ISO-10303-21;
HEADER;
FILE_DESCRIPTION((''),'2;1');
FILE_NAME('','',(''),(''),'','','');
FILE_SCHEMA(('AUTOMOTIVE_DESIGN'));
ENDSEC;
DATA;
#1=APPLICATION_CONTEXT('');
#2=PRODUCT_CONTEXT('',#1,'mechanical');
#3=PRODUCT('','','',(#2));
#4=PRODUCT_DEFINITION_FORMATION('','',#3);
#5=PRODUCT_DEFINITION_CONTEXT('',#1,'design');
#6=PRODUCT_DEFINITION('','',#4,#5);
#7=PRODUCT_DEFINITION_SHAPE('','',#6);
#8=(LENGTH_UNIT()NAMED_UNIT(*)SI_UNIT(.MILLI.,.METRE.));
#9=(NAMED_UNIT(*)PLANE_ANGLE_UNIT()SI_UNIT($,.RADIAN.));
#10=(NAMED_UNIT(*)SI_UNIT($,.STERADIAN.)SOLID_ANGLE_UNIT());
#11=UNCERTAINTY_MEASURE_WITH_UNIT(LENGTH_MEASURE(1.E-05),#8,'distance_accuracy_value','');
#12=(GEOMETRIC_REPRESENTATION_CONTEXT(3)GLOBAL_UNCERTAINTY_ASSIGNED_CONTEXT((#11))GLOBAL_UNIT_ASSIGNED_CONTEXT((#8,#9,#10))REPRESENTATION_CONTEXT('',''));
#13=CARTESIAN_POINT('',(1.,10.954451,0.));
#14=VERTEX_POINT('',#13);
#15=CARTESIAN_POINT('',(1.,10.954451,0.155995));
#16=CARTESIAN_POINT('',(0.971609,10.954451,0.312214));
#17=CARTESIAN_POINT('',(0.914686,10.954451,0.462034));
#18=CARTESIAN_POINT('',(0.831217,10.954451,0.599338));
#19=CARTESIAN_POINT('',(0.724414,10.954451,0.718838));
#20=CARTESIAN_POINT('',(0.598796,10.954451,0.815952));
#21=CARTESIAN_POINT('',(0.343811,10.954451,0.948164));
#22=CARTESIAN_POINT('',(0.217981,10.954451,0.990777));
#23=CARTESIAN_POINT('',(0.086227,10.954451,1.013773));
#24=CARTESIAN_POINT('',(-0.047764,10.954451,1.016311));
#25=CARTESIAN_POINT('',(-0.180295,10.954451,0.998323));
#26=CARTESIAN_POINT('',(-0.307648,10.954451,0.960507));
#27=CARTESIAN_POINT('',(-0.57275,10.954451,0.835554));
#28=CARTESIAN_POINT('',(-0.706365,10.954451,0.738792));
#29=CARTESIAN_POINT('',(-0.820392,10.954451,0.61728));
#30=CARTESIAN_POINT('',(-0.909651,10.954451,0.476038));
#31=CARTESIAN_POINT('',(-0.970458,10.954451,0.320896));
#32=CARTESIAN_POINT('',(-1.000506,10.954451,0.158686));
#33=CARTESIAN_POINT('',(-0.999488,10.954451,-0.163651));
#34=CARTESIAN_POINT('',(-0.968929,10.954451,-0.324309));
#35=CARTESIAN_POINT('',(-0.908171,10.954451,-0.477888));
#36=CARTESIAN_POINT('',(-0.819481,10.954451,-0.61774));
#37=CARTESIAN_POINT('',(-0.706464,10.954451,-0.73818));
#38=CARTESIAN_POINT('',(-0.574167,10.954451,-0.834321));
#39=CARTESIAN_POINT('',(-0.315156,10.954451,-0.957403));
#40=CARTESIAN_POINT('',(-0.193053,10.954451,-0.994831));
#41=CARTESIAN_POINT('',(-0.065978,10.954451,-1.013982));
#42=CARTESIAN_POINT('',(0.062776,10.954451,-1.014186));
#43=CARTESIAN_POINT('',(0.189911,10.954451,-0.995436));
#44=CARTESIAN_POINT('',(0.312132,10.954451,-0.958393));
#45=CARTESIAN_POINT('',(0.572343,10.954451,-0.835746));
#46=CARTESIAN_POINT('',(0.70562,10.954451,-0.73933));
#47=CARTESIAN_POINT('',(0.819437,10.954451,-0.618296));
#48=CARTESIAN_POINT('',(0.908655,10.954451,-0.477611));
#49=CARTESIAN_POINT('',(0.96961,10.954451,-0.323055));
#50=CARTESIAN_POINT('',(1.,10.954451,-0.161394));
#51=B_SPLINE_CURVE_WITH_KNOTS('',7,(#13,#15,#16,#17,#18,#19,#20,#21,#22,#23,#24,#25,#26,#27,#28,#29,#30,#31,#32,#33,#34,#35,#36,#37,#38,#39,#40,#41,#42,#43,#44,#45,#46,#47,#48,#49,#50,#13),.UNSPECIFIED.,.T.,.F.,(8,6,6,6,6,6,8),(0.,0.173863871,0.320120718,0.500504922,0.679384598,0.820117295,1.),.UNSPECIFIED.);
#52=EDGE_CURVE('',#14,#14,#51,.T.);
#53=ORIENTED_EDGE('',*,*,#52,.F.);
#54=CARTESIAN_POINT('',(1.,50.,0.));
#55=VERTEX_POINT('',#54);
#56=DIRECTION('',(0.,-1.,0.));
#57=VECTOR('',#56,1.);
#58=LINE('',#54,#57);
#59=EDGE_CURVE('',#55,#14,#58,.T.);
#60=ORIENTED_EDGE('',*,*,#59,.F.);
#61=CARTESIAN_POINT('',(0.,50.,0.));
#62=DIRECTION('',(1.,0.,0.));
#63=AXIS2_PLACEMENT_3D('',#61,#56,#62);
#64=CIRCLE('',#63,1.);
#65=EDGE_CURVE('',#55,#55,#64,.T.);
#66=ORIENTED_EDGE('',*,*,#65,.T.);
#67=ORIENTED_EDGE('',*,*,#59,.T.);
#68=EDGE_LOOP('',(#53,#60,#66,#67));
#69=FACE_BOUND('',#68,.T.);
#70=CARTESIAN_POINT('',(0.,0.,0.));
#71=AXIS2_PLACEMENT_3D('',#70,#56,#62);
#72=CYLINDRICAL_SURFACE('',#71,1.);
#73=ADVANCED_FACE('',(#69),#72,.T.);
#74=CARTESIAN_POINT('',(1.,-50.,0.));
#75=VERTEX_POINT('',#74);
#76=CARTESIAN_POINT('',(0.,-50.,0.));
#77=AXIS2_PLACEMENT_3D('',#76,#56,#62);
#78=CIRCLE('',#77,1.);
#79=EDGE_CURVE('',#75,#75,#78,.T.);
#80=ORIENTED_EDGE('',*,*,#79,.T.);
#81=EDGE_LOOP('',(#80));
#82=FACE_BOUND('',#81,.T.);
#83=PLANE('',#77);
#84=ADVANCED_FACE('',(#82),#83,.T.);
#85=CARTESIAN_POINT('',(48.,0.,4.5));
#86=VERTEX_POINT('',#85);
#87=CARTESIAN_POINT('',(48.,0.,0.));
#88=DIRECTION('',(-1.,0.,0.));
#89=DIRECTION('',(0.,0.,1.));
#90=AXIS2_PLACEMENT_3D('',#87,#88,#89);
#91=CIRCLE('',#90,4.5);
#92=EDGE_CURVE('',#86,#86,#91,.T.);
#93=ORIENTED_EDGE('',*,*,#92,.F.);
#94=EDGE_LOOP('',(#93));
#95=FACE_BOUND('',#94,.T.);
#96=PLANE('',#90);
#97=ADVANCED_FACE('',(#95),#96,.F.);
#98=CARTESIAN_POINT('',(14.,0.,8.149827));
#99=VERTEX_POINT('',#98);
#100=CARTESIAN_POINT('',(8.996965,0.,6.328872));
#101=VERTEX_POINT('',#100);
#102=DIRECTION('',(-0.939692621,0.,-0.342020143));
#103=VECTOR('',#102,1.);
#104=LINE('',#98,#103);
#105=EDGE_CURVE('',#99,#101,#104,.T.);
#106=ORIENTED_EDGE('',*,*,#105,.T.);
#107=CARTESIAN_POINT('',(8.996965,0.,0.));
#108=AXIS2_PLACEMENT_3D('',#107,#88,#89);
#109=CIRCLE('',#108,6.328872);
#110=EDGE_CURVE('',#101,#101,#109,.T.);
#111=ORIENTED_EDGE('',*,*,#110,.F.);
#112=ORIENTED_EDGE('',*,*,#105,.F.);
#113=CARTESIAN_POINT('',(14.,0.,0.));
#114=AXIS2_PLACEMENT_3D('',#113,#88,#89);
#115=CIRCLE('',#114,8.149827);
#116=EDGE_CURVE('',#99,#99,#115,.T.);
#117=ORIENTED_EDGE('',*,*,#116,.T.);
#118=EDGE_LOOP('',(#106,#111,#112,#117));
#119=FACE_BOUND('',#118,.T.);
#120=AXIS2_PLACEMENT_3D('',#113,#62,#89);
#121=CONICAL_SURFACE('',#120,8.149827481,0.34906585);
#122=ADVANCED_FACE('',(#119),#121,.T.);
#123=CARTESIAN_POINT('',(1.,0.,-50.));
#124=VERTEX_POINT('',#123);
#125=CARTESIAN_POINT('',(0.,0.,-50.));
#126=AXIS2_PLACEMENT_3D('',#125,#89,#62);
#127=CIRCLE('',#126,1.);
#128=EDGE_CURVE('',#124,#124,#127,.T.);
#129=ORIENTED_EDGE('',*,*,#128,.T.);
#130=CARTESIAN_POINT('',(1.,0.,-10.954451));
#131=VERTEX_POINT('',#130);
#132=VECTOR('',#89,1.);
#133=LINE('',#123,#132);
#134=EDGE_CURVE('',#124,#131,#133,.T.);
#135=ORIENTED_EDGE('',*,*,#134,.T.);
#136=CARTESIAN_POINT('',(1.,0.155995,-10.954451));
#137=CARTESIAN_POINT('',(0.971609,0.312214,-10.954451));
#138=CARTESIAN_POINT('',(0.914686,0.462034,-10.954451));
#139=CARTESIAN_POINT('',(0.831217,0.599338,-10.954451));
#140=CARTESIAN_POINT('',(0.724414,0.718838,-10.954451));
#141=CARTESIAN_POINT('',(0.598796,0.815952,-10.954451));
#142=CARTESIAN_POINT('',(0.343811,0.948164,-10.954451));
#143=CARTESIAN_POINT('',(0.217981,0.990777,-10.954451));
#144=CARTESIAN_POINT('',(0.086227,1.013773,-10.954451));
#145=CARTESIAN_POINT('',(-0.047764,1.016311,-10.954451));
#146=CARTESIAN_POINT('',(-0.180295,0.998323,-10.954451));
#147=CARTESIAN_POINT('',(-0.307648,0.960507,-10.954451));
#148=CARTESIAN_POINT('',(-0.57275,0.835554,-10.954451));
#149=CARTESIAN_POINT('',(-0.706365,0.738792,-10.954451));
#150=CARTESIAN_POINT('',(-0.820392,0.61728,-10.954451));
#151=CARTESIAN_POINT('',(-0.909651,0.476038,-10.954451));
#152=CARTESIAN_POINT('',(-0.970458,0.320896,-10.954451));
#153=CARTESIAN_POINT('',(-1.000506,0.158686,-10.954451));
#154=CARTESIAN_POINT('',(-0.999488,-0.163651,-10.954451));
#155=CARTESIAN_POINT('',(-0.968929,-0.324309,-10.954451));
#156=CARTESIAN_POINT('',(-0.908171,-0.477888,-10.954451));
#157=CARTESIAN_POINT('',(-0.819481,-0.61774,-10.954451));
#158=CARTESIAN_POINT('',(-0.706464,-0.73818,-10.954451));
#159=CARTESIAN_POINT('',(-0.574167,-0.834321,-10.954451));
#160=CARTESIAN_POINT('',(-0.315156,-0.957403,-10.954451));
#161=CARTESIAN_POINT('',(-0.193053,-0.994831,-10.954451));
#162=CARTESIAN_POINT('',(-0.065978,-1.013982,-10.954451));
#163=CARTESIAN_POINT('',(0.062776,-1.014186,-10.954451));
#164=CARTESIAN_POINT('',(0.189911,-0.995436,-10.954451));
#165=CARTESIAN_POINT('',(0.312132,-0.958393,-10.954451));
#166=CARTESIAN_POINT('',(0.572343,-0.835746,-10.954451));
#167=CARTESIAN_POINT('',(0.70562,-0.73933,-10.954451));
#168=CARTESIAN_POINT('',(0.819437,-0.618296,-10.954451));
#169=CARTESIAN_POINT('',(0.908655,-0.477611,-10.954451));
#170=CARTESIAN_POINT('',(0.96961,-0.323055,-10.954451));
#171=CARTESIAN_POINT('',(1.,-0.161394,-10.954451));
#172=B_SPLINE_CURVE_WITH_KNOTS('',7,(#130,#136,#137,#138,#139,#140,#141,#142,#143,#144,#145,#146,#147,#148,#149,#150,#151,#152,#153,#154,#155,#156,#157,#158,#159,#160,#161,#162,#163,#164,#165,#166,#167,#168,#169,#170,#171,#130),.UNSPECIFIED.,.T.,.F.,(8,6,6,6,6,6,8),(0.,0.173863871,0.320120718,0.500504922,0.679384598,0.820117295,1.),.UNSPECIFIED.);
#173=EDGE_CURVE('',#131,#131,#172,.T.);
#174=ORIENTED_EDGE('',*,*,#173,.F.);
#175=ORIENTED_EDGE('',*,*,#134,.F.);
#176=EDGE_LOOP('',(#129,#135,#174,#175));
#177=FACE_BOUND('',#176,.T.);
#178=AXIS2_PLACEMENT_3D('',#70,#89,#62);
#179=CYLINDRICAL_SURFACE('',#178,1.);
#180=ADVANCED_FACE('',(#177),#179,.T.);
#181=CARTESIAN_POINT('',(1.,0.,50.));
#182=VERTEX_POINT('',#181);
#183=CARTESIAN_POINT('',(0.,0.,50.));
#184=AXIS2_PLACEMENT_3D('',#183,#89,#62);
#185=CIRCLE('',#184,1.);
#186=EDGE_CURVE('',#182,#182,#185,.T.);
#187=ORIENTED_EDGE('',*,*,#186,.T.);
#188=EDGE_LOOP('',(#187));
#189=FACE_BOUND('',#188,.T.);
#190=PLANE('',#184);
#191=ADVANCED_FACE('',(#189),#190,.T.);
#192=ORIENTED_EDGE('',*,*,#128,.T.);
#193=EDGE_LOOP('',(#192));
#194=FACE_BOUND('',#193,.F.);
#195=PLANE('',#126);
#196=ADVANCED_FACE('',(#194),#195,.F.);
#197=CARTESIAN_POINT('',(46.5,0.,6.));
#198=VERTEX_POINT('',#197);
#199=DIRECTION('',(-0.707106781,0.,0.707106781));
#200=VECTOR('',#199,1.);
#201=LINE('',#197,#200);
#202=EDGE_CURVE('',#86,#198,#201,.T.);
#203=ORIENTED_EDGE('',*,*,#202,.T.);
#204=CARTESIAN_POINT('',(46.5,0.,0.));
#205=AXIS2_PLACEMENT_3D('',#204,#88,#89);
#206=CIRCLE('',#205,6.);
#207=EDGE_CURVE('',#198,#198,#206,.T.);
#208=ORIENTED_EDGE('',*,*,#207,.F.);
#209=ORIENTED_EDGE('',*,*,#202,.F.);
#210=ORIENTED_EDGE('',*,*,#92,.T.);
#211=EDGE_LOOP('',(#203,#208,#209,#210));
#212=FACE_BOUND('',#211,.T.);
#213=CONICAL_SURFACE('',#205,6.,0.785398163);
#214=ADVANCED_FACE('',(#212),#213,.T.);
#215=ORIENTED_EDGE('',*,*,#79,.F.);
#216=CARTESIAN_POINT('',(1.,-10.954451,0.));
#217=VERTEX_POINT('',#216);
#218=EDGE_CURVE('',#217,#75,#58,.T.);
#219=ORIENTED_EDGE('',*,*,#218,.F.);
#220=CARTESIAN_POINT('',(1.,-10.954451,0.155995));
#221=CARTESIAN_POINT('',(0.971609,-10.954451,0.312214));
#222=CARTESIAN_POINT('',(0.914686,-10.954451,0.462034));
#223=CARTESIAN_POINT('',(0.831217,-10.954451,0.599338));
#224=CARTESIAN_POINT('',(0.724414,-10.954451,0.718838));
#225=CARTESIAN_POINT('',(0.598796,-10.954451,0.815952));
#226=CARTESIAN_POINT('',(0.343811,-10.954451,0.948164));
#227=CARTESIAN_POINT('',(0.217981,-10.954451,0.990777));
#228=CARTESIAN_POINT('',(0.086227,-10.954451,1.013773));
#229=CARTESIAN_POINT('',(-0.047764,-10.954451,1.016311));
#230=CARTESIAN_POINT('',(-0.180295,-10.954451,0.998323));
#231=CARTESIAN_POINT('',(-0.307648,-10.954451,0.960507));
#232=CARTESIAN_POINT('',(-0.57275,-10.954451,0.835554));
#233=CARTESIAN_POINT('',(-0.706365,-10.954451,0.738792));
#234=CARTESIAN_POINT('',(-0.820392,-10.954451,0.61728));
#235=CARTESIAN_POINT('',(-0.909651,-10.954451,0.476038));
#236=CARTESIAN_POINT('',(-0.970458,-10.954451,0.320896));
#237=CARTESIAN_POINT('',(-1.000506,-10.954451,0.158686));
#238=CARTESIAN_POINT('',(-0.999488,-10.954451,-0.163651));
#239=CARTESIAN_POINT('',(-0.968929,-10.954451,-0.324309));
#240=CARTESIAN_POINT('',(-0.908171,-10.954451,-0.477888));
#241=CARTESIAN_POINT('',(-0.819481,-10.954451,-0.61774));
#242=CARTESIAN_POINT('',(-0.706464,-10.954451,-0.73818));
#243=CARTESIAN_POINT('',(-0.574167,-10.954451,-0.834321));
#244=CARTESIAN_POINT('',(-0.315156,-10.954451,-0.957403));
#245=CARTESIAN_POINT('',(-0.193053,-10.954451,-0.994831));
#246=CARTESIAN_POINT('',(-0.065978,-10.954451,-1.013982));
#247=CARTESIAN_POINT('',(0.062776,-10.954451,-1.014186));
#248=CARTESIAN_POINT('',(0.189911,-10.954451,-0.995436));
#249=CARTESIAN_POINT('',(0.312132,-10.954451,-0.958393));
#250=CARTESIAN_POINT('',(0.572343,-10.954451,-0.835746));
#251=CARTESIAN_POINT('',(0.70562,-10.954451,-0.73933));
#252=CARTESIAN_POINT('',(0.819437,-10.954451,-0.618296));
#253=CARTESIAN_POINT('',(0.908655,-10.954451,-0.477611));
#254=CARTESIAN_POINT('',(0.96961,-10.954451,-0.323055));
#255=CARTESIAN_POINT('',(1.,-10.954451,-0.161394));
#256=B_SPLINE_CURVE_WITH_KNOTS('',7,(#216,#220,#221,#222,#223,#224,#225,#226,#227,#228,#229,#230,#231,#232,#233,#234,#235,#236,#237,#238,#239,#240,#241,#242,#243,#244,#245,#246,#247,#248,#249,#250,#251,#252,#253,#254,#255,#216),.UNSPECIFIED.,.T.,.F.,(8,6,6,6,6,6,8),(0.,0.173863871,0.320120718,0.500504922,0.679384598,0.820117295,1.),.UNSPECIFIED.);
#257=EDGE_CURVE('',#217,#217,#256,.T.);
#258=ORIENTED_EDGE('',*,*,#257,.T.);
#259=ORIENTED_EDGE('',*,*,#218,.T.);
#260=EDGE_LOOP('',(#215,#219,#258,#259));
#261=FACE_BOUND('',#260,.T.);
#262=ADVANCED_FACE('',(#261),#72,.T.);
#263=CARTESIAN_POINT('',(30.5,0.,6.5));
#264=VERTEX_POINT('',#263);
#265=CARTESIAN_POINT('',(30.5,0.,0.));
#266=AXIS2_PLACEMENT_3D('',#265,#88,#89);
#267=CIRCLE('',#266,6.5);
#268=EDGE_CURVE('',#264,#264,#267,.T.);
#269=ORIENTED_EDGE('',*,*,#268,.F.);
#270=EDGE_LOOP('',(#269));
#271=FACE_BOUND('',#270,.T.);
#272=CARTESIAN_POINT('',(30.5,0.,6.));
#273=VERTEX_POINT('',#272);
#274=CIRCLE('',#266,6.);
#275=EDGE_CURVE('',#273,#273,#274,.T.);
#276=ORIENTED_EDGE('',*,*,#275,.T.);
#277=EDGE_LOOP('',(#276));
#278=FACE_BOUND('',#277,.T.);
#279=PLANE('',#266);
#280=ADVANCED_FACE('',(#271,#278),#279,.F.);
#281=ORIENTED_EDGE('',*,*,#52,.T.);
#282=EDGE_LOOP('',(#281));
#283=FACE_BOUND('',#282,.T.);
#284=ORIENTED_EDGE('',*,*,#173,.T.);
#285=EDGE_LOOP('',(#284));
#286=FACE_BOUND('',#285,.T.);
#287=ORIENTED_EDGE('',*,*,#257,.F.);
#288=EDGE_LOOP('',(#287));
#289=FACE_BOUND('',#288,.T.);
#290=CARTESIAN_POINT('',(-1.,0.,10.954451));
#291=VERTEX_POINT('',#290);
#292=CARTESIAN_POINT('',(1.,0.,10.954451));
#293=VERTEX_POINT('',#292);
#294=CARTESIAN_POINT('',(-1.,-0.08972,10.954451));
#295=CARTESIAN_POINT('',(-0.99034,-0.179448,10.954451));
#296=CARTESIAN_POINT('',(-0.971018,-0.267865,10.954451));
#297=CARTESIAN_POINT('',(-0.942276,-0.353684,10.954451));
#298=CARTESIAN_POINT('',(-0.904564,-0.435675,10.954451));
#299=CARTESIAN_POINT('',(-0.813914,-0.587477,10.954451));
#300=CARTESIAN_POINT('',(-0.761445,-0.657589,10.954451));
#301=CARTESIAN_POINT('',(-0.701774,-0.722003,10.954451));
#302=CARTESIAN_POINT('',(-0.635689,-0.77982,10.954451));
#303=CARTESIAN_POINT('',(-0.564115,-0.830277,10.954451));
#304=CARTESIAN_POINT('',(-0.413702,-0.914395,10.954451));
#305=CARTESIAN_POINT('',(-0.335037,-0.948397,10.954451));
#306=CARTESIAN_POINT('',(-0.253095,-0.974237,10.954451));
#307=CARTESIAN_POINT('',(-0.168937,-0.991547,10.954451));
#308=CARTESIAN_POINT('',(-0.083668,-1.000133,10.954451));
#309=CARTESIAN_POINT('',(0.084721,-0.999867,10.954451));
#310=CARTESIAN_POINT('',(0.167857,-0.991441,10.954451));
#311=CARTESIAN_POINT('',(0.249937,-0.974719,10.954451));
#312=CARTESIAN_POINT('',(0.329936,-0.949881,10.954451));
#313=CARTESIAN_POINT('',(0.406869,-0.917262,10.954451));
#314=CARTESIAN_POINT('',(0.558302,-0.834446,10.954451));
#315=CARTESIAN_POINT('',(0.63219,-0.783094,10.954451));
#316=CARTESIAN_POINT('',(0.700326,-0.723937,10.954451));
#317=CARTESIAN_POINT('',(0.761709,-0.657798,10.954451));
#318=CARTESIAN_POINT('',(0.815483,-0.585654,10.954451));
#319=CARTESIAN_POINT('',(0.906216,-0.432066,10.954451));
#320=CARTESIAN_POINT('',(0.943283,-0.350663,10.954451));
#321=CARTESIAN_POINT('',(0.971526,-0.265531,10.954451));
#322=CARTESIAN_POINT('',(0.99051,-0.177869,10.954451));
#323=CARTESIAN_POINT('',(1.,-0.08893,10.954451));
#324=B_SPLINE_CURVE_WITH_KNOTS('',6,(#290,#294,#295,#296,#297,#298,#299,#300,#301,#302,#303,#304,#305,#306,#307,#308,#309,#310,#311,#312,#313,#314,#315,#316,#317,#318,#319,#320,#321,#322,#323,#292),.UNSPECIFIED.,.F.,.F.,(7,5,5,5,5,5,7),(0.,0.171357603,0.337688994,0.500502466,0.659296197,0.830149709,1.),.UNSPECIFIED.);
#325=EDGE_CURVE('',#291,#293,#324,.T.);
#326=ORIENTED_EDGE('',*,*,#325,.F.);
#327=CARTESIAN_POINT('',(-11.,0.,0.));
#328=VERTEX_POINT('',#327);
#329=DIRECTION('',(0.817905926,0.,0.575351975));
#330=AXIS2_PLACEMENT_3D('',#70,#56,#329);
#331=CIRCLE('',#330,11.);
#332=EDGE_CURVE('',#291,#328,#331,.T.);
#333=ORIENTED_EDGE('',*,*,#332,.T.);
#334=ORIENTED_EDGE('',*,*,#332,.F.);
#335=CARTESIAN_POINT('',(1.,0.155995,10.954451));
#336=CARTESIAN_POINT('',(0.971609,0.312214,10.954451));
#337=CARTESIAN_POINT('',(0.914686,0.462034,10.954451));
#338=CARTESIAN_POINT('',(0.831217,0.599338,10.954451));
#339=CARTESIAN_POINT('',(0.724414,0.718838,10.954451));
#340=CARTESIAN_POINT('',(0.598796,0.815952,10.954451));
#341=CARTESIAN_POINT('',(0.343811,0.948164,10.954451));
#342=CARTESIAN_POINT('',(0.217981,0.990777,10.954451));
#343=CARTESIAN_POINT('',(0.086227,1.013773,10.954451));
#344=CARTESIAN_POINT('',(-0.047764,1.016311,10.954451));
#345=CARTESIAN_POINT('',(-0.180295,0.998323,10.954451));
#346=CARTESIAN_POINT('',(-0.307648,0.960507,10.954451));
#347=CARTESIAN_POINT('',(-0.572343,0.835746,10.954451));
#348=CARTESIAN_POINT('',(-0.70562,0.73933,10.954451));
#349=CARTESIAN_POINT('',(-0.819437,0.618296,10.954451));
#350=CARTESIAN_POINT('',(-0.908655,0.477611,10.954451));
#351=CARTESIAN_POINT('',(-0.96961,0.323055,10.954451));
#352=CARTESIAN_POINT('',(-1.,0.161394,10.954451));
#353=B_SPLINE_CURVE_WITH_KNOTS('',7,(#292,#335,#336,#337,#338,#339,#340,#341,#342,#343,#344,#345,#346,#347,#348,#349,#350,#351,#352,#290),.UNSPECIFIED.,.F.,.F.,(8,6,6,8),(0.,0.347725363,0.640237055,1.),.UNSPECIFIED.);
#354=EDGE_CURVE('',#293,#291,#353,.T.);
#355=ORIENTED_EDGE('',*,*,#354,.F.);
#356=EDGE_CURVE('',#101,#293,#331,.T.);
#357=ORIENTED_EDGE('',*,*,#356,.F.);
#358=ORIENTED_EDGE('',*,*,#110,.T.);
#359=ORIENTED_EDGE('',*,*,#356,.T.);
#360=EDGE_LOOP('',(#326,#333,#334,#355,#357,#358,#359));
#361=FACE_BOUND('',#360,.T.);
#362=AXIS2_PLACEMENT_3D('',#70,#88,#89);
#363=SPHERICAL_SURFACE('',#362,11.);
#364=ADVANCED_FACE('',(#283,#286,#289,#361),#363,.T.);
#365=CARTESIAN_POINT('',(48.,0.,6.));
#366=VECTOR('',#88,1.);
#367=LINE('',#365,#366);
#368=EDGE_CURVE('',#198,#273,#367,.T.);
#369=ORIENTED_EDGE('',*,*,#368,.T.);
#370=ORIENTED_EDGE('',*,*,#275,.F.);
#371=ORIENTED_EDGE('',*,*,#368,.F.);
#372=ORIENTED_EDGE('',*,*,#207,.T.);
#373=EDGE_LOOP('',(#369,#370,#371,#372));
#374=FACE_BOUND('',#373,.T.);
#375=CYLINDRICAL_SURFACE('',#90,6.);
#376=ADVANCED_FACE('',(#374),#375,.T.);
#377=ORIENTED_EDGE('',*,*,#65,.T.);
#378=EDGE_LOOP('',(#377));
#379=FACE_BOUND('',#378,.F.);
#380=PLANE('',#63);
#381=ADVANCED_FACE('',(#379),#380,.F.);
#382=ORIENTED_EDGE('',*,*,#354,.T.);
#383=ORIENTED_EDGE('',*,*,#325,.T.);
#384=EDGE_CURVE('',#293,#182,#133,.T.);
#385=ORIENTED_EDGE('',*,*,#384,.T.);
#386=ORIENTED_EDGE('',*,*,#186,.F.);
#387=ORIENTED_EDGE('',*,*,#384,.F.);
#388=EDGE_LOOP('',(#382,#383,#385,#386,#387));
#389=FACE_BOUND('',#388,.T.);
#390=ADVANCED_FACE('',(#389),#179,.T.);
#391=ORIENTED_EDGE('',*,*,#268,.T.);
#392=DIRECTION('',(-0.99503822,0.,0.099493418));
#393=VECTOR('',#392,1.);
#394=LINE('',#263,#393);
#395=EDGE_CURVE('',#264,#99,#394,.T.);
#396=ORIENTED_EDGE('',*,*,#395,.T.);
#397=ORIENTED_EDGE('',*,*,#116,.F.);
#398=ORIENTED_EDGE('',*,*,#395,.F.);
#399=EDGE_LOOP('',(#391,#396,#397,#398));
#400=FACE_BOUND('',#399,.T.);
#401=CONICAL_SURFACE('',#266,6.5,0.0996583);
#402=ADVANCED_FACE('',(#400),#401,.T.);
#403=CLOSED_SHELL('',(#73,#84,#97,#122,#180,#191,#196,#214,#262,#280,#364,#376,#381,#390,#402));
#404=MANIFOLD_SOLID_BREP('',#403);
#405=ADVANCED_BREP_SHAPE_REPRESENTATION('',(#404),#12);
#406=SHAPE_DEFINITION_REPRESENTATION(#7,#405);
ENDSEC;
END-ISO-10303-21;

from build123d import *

# Parameters (mm, degrees)
F2_SIZE  = 1.5
F3_R     = 1
F4_DEPTH = 50
F5_R     = 1
F6_DEPTH = 50


with BuildPart() as f1:
    # F0 (on Front) → F1 (revolve)
    with BuildSketch(Plane.XZ):
        with BuildLine():
            ThreePointArc((8.9969651904, 6.328871729), (-3.3191401677, 10.4872927177), (-11, 0))
            Line((-11, 0), (48, 0))
            Line((48, 0), (48, 6))
            Line((48, 6), (30.5, 6))
            Line((30.5, 6), (30.5, 6.5))
            Line((30.5, 6.5), (14, 8.1498274807))
            Line((14, 8.1498274807), (8.9969651904, 6.328871729))
        make_face()
    revolve(axis=Axis((18.5, 0, 0), (-1, 0, 0)))

    # F2
    f2_edges = [f1.edges().sort_by_distance(p)[0] for p in [
        (48, 0, -6),
    ]]
    chamfer(f2_edges, length=F2_SIZE)

    # F3 (on Front) → F4 (join, symmetric)
    with BuildSketch(Plane.XZ):
        Circle(F3_R)
    extrude(amount=F4_DEPTH, both=True)

    # F5 (on Top) → F6 (join, symmetric)
    with BuildSketch(Plane.XY):
        Circle(F5_R)
    extrude(amount=F6_DEPTH, both=True)


solid = f1.part
